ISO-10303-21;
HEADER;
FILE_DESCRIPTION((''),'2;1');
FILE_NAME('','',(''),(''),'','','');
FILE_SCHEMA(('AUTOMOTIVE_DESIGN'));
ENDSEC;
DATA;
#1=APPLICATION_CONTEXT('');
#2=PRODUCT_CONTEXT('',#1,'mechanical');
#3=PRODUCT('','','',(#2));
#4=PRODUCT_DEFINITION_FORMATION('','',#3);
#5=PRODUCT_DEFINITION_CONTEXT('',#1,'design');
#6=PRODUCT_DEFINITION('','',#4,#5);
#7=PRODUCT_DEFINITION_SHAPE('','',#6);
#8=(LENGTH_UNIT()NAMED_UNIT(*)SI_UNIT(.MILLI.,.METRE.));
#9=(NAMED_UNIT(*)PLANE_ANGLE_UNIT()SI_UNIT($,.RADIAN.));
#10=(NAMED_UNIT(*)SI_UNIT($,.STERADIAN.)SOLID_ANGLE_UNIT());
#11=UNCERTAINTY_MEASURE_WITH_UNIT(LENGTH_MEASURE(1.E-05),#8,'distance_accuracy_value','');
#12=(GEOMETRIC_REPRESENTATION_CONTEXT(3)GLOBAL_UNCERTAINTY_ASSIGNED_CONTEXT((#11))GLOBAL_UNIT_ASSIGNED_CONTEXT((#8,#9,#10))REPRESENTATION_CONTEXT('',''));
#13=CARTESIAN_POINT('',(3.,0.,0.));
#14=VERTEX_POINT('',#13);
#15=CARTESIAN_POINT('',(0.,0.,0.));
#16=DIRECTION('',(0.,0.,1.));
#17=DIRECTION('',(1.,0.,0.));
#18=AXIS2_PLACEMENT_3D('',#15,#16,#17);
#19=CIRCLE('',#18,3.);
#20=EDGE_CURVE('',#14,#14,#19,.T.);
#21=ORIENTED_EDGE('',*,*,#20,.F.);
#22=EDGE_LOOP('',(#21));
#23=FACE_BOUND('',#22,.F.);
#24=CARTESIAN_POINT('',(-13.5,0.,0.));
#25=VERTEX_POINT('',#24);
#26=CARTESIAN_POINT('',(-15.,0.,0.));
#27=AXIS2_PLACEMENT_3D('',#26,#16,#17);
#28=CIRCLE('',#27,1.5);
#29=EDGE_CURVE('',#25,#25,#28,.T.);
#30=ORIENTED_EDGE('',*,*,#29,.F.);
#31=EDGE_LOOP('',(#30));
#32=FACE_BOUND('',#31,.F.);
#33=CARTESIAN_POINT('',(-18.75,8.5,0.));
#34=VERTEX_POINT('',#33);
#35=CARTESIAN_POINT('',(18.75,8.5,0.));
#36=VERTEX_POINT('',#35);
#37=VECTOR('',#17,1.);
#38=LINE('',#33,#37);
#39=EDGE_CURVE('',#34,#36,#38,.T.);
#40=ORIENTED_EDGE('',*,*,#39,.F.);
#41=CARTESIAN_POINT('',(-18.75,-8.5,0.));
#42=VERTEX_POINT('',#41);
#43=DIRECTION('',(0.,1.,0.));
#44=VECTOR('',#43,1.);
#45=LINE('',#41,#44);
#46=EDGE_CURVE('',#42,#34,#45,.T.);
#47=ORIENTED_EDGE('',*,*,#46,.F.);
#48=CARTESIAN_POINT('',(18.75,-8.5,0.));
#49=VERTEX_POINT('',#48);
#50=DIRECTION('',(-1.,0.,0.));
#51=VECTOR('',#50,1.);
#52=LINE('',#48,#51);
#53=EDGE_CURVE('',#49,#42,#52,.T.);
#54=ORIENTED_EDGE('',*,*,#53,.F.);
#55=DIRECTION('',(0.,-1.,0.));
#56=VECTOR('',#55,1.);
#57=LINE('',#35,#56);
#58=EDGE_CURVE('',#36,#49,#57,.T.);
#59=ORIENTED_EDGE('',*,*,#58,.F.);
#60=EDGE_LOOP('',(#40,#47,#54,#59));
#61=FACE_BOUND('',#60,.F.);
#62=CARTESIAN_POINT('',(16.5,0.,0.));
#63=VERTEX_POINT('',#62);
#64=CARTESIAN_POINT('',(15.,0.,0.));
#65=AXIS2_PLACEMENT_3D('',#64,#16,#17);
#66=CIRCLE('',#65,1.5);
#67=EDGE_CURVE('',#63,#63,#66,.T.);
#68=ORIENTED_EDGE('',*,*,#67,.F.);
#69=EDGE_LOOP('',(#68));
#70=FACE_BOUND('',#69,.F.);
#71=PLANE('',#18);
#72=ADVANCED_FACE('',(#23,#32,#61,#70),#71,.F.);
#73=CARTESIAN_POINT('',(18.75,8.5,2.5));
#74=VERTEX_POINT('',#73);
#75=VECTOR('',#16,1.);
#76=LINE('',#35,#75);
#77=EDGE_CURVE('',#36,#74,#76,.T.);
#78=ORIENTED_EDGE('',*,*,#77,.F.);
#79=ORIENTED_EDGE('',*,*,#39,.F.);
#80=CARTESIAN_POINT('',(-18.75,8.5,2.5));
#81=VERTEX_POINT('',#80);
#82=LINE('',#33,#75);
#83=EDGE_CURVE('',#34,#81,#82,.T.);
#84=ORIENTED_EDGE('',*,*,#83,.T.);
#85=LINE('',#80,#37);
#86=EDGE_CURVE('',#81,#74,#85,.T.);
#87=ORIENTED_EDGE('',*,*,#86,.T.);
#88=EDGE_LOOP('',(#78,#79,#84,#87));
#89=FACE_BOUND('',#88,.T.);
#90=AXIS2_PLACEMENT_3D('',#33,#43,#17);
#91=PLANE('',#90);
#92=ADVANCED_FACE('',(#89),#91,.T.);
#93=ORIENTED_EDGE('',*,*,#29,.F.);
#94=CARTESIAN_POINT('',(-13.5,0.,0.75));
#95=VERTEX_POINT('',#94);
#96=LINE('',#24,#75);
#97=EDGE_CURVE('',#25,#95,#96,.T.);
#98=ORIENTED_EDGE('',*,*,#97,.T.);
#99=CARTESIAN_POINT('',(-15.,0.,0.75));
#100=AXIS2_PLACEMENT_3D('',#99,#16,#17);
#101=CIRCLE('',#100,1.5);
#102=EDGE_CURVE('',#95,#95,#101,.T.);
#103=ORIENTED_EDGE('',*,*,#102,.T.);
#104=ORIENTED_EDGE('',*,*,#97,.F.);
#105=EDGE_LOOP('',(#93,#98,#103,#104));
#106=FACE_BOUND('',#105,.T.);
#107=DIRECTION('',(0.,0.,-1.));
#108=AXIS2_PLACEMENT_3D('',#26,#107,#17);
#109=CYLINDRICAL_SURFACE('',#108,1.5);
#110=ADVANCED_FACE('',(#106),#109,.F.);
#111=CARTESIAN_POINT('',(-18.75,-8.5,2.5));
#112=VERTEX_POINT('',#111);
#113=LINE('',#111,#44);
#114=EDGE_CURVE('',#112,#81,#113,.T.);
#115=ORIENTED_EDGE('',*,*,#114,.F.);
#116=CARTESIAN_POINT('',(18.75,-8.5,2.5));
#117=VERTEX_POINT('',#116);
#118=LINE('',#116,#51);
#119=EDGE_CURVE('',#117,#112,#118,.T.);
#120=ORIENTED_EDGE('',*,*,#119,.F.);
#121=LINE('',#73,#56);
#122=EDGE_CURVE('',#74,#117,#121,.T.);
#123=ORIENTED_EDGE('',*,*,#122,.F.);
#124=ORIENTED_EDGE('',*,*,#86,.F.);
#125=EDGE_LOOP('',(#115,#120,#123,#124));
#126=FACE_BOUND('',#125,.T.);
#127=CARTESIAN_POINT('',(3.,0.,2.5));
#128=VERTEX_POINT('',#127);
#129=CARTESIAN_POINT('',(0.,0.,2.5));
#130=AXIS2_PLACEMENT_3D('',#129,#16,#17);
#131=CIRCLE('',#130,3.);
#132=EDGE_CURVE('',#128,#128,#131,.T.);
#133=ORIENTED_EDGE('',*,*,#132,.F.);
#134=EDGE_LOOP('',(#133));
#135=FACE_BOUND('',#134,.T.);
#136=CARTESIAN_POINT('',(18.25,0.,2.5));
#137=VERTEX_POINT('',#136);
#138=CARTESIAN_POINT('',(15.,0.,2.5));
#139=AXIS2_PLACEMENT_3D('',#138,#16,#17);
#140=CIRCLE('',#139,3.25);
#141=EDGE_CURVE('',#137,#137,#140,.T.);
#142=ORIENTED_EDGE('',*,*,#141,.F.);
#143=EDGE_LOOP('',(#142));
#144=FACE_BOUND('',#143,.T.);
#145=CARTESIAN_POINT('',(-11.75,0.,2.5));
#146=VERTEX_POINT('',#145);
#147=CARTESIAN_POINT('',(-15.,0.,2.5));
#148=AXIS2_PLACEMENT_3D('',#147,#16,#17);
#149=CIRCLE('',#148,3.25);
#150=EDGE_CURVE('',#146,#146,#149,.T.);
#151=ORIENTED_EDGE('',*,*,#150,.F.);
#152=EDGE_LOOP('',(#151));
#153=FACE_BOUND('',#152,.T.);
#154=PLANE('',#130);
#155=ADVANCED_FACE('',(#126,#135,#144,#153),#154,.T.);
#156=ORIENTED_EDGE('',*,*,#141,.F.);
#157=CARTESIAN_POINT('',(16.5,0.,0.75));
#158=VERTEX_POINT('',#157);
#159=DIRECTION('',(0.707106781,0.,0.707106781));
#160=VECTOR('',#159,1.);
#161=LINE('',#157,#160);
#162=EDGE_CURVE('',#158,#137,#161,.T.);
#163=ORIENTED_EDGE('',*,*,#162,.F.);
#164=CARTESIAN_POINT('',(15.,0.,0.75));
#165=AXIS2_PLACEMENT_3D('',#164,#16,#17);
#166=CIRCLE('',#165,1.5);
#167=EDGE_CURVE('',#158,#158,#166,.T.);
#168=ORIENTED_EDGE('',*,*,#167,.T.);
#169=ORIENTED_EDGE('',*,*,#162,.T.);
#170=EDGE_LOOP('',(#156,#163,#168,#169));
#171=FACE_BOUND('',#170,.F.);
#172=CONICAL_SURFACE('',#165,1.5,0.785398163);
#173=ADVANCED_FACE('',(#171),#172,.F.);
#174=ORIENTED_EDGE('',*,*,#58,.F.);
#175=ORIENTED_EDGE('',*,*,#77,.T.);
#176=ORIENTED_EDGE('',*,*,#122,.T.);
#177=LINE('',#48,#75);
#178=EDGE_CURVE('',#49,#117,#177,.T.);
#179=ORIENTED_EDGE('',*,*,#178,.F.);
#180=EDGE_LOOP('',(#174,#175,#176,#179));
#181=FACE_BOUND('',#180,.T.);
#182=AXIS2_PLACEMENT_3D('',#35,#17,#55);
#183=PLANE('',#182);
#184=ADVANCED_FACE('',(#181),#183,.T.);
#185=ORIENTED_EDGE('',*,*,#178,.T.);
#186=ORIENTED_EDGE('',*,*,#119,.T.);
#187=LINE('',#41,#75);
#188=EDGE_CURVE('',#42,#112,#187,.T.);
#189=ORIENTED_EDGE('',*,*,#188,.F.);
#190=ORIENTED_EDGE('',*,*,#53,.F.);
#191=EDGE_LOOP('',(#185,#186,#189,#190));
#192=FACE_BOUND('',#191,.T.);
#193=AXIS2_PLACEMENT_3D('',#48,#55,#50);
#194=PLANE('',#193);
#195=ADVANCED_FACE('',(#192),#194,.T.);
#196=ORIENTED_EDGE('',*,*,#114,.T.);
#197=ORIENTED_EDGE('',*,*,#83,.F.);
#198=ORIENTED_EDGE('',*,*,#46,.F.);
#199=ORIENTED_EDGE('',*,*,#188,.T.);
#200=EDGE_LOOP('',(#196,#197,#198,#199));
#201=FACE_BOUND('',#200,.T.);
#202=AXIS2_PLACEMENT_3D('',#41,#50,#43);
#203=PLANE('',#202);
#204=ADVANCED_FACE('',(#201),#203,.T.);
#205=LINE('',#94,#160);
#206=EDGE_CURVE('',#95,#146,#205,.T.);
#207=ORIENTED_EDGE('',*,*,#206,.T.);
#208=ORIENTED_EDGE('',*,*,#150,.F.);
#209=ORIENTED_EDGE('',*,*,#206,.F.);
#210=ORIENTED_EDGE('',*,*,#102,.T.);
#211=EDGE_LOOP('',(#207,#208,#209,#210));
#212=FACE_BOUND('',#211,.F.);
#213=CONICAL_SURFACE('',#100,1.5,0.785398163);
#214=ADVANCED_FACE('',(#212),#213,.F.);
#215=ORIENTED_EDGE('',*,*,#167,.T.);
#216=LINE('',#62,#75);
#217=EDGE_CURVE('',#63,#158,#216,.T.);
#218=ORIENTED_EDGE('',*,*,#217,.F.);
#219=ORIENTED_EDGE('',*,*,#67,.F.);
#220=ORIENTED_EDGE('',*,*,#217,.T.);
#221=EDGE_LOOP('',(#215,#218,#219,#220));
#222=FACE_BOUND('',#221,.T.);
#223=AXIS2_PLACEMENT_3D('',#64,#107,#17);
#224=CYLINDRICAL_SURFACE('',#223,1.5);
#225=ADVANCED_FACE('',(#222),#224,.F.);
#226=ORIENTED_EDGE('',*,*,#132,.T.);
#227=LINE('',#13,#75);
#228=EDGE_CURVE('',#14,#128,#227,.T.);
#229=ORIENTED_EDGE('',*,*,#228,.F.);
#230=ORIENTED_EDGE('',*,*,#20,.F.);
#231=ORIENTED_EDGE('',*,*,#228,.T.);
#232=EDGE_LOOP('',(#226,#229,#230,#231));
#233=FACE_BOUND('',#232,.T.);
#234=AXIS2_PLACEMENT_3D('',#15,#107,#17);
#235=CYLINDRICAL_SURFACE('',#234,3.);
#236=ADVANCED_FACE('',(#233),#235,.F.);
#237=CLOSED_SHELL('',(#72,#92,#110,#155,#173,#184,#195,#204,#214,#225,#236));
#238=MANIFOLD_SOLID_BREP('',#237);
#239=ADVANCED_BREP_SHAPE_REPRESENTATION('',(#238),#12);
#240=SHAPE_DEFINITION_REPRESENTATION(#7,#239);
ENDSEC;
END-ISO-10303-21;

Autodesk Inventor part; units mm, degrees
ref_plane "YZ Plane" through (0, 0, 0) normal (1, 0, 0) x (0, 1, 0)
ref_plane "XZ Plane" through (0, 0, 0) normal (0, 1, 0) x (-1, 0, 0)
ref_plane "XY Plane" through (0, 0, 0) normal (0, 0, 1) x (1, 0, 0)
sketch "Sketch1" plane through (0, 0, 0) normal (0, 0, 1) x (1, 0, 0)
  circle A0 centre (0, 0) radius 3
  circle A1 centre (15, 0) radius 1.5
  circle A2 centre (-15, 0) radius 1.5
  line L0 (-18.75, 8.5) -> (18.75, 8.5)
  line L1 (18.75, 8.5) -> (18.75, -8.5)
  line L2 (18.75, -8.5) -> (-18.75, -8.5)
  line L3 (-18.75, -8.5) -> (-18.75, 8.5)
  line L4 (-18.75, 8.5) -> (18.75, -8.5) construction
  line L5 (18.75, 8.5) -> (-18.75, -8.5) construction
  dimension "d0" = 15
  dimension "d1" = 3
  dimension "d2" = 3
  dimension "d3" = 15
  dimension "d4" = 6
  dimension "d5" = 17
  dimension "d6" = 37.5
extrude "Extrusion1" add sketch "Sketch1" along normal blind 2.5
chamfer "Chamfer1" distance 1.75 angle 45 2 edges at (-16.5, 0, 2.5) (13.5, 0, 2.5)
properties part number "Bearing_mount"
